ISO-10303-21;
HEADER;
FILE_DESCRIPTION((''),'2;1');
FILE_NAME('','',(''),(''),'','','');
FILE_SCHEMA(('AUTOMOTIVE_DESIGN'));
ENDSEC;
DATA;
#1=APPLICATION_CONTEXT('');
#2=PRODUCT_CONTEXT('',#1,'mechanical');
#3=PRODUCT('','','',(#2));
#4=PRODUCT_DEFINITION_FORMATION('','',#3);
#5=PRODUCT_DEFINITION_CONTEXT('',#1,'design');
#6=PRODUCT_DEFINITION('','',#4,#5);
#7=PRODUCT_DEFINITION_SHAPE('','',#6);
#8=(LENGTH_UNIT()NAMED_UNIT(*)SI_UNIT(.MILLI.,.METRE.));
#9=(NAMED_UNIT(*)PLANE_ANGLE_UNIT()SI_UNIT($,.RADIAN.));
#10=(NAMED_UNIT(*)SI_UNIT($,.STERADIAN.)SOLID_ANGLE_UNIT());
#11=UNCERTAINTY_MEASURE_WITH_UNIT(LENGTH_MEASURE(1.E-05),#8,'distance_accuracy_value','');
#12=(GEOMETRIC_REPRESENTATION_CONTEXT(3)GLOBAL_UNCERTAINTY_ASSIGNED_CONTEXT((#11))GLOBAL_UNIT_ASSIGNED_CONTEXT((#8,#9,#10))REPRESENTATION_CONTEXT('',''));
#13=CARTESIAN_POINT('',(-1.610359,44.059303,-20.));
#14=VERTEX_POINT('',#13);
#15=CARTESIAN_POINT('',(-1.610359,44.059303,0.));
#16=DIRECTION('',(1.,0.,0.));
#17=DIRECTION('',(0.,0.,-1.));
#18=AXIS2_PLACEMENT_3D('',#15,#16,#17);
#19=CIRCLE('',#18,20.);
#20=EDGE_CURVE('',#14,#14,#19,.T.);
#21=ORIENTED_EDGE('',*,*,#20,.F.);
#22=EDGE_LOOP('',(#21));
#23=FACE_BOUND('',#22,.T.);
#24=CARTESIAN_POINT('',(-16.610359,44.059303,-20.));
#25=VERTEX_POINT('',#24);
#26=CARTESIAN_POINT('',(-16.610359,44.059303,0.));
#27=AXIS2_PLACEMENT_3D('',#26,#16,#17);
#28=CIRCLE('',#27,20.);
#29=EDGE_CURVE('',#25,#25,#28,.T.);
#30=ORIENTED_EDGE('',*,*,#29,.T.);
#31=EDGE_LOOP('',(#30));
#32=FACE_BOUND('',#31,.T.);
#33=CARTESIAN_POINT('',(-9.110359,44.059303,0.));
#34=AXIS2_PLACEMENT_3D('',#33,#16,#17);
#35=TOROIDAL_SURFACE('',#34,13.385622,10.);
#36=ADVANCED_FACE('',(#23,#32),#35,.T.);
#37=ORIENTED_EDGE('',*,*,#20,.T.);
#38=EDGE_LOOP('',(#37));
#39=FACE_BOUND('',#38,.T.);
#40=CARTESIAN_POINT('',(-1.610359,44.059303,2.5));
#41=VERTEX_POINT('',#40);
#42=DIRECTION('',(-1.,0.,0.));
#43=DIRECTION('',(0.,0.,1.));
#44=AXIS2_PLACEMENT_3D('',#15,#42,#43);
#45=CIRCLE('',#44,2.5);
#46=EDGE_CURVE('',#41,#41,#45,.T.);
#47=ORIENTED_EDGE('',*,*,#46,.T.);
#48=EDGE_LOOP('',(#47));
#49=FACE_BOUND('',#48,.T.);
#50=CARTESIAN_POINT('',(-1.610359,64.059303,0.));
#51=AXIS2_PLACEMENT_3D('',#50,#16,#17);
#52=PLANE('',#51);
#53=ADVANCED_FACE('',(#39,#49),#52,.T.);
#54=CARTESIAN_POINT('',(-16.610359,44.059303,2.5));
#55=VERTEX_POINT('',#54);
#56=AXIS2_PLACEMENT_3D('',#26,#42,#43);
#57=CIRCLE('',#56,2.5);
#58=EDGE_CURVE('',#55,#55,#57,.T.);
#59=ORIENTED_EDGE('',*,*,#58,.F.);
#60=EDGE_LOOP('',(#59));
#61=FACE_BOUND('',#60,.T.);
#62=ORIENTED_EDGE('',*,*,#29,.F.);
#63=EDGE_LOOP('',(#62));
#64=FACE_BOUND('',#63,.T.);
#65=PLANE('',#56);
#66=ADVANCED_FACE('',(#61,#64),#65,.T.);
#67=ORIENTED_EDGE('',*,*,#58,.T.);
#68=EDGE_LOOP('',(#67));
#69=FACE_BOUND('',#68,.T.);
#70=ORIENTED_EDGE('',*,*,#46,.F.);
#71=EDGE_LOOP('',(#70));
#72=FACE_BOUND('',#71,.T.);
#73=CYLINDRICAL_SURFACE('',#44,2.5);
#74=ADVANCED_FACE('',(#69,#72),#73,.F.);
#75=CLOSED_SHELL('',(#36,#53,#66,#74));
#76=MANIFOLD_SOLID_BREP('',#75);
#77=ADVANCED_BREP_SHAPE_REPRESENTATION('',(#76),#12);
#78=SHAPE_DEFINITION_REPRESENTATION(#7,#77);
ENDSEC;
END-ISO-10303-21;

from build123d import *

# Parameters (mm, degrees)
SKETCH_2_R          = 2.5
CUT_EXTRUDE_1_DEPTH = 73.943163699


with BuildPart() as part:
    # 草圖1 → 旋轉1 (revolve)
    with BuildSketch(Plane.XY, mode=Mode.PRIVATE) as revolve_1_sk:
        with BuildLine():
            Line((-16.610358734, 44.059302541), (-16.610358734, 64.059302541))
            ThreePointArc((-16.610358734, 64.059302541), (-9.110358734, 67.444924263), (-1.610358734, 64.059302541))
            Line((-1.610358734, 64.059302541), (-1.610358734, 44.059302541))
            Line((-1.610358734, 44.059302541), (-16.610358734, 44.059302541))
        make_face()
    revolve(revolve_1_sk.sketch.rotate(Axis((-1.610358734, 44.059302541, 0), (-1, 0, 0)), 90), axis=Axis((-1.610358734, 44.059302541, 0), (-1, 0, 0)))

    # 草圖2 → 除料-伸長1 (cut, through all)
    with BuildSketch(Plane.ZY.offset(16.610358734)):
        with Locations((0, 44.059302541)):
            Circle(SKETCH_2_R)
    extrude(amount=-CUT_EXTRUDE_1_DEPTH, mode=Mode.SUBTRACT)


solid = part.part
